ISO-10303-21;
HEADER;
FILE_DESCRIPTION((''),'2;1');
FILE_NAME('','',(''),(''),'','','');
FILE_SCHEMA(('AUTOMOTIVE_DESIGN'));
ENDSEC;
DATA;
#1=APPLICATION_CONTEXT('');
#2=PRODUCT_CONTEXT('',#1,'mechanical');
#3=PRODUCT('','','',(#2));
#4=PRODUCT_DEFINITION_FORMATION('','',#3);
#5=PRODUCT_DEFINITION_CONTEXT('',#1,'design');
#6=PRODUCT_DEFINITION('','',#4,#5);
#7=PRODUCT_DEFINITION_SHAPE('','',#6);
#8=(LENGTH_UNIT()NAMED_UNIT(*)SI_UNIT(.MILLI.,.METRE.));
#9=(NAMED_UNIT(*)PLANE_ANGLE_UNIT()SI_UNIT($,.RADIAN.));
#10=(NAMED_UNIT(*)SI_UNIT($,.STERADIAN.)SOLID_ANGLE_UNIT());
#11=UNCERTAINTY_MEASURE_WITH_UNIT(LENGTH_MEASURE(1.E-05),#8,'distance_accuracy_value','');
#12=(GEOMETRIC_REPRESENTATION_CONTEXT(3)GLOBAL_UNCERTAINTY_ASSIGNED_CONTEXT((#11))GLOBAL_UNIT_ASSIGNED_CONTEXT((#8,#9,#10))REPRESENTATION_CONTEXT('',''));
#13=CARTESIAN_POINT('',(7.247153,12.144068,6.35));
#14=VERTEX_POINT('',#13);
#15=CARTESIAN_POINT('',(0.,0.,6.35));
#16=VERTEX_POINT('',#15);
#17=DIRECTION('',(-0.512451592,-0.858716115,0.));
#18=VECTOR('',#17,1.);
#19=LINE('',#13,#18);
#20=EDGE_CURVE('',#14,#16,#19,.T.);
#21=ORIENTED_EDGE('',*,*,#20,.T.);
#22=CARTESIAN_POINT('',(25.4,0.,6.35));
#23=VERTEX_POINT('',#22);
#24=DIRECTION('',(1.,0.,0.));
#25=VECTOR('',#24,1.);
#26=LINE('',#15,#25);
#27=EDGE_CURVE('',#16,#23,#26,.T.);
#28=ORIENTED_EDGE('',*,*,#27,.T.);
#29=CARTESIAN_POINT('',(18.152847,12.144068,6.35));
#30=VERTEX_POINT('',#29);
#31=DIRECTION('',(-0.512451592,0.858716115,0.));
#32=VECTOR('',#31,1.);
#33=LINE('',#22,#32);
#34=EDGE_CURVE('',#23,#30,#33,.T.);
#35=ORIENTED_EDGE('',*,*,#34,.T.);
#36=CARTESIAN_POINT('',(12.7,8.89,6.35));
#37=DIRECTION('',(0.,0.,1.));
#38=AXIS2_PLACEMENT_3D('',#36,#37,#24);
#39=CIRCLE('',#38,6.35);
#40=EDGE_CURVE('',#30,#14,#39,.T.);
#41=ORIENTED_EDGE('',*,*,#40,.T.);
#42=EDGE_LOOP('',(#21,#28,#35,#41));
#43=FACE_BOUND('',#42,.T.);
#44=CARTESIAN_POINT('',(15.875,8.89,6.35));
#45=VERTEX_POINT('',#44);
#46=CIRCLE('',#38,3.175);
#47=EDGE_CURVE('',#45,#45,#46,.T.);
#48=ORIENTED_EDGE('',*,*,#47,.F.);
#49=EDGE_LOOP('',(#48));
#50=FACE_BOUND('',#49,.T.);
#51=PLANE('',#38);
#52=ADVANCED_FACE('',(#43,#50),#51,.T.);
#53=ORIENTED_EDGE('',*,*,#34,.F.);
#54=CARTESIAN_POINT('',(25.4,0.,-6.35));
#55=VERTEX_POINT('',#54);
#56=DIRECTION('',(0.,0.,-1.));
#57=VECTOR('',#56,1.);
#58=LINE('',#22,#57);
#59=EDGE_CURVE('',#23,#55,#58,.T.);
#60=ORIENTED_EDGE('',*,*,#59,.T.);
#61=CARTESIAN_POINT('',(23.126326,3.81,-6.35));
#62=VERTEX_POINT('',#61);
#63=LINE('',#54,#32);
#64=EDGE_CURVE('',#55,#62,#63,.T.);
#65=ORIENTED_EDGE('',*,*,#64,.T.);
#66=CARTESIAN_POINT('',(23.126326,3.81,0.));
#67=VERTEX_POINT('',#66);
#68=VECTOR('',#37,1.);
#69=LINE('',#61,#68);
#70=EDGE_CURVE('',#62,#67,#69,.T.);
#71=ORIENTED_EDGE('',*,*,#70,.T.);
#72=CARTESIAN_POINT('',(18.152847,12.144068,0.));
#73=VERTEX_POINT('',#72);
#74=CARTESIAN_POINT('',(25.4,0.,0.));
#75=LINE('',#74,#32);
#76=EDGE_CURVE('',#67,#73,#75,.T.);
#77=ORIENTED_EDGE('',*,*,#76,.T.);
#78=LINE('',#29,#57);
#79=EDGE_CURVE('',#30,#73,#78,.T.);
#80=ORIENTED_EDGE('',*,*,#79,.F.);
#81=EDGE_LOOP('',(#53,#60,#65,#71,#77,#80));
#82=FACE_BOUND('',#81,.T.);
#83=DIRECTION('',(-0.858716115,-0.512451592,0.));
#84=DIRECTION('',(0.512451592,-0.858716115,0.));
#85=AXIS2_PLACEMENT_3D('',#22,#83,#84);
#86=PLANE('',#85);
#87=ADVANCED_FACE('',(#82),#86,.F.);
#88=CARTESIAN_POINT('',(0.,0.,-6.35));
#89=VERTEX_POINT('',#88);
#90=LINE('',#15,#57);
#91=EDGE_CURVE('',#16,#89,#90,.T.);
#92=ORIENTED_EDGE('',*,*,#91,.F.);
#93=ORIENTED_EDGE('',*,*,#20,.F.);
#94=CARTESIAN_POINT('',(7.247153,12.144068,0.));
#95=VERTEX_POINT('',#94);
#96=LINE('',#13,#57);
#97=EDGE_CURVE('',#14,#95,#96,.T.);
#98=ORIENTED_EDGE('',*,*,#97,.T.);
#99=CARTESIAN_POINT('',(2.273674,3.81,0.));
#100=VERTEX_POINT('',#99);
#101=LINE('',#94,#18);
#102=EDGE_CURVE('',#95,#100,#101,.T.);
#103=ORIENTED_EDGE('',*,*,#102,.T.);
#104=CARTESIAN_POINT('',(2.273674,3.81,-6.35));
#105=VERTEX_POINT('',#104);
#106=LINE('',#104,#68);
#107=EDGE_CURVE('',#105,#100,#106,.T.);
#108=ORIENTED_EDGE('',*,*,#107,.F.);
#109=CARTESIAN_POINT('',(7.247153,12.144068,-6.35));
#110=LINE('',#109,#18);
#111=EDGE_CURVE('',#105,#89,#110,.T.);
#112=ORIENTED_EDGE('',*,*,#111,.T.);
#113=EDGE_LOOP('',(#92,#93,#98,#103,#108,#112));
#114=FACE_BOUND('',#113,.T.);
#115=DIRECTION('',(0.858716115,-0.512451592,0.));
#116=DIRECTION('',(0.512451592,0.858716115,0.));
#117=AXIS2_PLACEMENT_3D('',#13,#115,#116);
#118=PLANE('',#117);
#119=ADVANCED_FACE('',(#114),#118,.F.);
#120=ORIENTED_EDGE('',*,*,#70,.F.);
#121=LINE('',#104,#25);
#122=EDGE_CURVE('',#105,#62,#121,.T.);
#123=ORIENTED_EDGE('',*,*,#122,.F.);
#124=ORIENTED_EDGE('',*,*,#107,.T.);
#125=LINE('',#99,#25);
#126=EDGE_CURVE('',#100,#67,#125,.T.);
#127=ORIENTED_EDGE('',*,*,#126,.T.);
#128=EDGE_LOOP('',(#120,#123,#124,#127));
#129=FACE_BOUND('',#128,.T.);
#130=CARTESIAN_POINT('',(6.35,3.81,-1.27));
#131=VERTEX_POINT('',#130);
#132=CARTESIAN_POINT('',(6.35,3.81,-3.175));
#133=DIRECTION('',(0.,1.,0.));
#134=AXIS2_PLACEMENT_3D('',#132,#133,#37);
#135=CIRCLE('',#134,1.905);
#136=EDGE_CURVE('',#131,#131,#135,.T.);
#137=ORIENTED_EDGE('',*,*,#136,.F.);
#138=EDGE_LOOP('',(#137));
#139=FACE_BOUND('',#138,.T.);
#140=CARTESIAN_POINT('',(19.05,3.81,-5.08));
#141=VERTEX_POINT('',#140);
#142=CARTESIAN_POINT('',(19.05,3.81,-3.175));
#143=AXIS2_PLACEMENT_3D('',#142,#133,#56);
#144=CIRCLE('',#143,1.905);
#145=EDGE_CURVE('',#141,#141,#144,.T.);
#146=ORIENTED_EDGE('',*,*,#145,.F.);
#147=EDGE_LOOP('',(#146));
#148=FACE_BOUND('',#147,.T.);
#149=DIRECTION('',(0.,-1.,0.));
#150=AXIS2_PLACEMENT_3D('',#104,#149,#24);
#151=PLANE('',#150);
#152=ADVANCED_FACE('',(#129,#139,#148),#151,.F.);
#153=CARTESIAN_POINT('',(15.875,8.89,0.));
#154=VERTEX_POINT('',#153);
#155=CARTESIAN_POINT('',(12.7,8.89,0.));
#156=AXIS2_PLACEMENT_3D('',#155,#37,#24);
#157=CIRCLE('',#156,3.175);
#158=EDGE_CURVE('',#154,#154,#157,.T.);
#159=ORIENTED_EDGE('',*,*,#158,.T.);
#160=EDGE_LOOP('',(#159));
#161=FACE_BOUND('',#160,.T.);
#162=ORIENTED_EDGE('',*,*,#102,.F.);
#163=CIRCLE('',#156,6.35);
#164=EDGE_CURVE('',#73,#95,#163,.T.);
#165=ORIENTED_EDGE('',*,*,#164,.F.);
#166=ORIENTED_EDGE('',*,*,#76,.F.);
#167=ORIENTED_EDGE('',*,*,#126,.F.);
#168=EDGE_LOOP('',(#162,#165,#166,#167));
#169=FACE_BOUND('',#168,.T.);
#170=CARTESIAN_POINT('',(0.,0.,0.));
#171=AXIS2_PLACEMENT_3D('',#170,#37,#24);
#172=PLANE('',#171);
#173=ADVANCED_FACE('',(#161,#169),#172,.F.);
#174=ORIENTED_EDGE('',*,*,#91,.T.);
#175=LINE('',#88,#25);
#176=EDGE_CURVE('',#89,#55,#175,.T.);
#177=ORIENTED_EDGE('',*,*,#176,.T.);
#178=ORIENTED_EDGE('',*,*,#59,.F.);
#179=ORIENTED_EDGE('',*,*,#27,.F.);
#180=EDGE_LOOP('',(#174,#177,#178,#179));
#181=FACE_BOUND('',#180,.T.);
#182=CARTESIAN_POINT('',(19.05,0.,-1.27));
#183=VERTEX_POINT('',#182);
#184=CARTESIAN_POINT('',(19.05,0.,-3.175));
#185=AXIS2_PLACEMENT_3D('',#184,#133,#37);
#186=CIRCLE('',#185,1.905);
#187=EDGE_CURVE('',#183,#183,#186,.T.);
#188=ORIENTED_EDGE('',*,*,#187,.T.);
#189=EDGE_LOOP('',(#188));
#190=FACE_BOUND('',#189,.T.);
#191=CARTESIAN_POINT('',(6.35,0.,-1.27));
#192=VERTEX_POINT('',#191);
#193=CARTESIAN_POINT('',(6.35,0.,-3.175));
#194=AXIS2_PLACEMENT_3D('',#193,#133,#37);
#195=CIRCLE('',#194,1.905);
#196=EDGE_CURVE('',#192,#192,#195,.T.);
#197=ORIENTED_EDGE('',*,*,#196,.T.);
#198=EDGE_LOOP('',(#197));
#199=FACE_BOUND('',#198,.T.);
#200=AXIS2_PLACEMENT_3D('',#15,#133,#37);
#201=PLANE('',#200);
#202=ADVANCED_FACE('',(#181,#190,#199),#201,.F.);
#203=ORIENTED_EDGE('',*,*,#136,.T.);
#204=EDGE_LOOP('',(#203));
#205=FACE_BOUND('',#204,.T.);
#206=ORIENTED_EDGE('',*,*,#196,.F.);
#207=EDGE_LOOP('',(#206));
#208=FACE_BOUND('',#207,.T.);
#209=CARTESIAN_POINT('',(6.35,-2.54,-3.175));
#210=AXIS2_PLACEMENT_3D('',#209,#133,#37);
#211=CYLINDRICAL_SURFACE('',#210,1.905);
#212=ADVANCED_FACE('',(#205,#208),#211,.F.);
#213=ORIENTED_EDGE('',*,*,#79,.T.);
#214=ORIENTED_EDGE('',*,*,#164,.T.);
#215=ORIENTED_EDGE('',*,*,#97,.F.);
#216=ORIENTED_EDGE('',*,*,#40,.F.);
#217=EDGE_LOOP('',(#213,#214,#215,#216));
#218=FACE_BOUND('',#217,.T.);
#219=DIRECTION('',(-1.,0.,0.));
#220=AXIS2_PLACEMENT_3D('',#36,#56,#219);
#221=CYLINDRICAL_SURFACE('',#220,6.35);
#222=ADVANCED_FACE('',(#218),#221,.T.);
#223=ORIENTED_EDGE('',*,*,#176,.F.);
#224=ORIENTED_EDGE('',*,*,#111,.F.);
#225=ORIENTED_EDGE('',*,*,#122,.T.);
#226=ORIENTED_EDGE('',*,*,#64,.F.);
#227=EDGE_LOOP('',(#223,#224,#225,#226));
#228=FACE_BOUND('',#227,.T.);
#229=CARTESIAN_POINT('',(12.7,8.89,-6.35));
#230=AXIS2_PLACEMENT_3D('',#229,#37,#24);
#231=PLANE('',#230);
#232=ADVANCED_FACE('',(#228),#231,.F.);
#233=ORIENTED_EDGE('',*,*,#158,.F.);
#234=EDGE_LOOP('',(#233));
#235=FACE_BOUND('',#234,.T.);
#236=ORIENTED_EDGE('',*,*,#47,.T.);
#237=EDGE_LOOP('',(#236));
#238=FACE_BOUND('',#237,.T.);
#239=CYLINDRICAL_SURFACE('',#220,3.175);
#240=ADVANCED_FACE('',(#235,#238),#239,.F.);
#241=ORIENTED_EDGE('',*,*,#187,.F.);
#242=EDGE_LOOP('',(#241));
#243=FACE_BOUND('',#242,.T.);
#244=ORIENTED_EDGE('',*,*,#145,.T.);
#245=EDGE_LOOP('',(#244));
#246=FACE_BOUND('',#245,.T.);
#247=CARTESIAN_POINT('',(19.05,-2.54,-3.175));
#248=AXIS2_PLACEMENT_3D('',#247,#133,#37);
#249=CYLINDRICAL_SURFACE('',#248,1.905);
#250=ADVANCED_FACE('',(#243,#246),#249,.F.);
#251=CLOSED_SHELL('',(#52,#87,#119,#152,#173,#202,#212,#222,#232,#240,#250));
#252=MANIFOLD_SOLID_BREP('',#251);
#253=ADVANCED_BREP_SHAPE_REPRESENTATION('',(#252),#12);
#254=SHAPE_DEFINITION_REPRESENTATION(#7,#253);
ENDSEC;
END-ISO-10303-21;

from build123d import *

# Parameters (mm, degrees)
SKETCH2_R           = 3.175
BOSS_EXTRUDE2_DEPTH = 6.35
SKETCH6_W           = 20.852651852
SKETCH6_H           = 11.43
CUT_EXTRUDE3_DEPTH  = 6.35
SKETCH7_R           = 1.905
CUT_EXTRUDE4_DEPTH  = 6.35


with BuildPart() as part:
    # Sketch2 → Boss-Extrude2 (new body, symmetric)
    with BuildSketch(Plane.XY):
        with BuildLine():
            Line((0, 0), (25.4, 0))
            Line((25.4, 0), (18.152847328, 12.144067611))
            ThreePointArc((18.152847328, 12.144067611), (12.7, 15.24), (7.247152672, 12.144067611))
            Line((7.247152672, 12.144067611), (0, 0))
        make_face()
        with Locations((12.7, 8.89)):
            Circle(SKETCH2_R, mode=Mode.SUBTRACT)
    extrude(amount=BOSS_EXTRUDE2_DEPTH, both=True)

    # Sketch6 → Cut-Extrude3 (cut)
    with BuildSketch(Plane.XY):
        with Locations((12.7, 9.525)):
            Rectangle(SKETCH6_W, SKETCH6_H)
    extrude(amount=-CUT_EXTRUDE3_DEPTH, mode=Mode.SUBTRACT)

    # Sketch7 → Cut-Extrude4 (cut)
    with BuildSketch(Plane(origin=(0, 3.81, 0), x_dir=(1, 0, 0), z_dir=(0, 1, 0))):
        with Locations((6.35, 3.175)):
            Circle(SKETCH7_R)
        with Locations((19.05, 3.175)):
            Circle(SKETCH7_R)
    extrude(amount=-CUT_EXTRUDE4_DEPTH, mode=Mode.SUBTRACT)


solid = part.part
